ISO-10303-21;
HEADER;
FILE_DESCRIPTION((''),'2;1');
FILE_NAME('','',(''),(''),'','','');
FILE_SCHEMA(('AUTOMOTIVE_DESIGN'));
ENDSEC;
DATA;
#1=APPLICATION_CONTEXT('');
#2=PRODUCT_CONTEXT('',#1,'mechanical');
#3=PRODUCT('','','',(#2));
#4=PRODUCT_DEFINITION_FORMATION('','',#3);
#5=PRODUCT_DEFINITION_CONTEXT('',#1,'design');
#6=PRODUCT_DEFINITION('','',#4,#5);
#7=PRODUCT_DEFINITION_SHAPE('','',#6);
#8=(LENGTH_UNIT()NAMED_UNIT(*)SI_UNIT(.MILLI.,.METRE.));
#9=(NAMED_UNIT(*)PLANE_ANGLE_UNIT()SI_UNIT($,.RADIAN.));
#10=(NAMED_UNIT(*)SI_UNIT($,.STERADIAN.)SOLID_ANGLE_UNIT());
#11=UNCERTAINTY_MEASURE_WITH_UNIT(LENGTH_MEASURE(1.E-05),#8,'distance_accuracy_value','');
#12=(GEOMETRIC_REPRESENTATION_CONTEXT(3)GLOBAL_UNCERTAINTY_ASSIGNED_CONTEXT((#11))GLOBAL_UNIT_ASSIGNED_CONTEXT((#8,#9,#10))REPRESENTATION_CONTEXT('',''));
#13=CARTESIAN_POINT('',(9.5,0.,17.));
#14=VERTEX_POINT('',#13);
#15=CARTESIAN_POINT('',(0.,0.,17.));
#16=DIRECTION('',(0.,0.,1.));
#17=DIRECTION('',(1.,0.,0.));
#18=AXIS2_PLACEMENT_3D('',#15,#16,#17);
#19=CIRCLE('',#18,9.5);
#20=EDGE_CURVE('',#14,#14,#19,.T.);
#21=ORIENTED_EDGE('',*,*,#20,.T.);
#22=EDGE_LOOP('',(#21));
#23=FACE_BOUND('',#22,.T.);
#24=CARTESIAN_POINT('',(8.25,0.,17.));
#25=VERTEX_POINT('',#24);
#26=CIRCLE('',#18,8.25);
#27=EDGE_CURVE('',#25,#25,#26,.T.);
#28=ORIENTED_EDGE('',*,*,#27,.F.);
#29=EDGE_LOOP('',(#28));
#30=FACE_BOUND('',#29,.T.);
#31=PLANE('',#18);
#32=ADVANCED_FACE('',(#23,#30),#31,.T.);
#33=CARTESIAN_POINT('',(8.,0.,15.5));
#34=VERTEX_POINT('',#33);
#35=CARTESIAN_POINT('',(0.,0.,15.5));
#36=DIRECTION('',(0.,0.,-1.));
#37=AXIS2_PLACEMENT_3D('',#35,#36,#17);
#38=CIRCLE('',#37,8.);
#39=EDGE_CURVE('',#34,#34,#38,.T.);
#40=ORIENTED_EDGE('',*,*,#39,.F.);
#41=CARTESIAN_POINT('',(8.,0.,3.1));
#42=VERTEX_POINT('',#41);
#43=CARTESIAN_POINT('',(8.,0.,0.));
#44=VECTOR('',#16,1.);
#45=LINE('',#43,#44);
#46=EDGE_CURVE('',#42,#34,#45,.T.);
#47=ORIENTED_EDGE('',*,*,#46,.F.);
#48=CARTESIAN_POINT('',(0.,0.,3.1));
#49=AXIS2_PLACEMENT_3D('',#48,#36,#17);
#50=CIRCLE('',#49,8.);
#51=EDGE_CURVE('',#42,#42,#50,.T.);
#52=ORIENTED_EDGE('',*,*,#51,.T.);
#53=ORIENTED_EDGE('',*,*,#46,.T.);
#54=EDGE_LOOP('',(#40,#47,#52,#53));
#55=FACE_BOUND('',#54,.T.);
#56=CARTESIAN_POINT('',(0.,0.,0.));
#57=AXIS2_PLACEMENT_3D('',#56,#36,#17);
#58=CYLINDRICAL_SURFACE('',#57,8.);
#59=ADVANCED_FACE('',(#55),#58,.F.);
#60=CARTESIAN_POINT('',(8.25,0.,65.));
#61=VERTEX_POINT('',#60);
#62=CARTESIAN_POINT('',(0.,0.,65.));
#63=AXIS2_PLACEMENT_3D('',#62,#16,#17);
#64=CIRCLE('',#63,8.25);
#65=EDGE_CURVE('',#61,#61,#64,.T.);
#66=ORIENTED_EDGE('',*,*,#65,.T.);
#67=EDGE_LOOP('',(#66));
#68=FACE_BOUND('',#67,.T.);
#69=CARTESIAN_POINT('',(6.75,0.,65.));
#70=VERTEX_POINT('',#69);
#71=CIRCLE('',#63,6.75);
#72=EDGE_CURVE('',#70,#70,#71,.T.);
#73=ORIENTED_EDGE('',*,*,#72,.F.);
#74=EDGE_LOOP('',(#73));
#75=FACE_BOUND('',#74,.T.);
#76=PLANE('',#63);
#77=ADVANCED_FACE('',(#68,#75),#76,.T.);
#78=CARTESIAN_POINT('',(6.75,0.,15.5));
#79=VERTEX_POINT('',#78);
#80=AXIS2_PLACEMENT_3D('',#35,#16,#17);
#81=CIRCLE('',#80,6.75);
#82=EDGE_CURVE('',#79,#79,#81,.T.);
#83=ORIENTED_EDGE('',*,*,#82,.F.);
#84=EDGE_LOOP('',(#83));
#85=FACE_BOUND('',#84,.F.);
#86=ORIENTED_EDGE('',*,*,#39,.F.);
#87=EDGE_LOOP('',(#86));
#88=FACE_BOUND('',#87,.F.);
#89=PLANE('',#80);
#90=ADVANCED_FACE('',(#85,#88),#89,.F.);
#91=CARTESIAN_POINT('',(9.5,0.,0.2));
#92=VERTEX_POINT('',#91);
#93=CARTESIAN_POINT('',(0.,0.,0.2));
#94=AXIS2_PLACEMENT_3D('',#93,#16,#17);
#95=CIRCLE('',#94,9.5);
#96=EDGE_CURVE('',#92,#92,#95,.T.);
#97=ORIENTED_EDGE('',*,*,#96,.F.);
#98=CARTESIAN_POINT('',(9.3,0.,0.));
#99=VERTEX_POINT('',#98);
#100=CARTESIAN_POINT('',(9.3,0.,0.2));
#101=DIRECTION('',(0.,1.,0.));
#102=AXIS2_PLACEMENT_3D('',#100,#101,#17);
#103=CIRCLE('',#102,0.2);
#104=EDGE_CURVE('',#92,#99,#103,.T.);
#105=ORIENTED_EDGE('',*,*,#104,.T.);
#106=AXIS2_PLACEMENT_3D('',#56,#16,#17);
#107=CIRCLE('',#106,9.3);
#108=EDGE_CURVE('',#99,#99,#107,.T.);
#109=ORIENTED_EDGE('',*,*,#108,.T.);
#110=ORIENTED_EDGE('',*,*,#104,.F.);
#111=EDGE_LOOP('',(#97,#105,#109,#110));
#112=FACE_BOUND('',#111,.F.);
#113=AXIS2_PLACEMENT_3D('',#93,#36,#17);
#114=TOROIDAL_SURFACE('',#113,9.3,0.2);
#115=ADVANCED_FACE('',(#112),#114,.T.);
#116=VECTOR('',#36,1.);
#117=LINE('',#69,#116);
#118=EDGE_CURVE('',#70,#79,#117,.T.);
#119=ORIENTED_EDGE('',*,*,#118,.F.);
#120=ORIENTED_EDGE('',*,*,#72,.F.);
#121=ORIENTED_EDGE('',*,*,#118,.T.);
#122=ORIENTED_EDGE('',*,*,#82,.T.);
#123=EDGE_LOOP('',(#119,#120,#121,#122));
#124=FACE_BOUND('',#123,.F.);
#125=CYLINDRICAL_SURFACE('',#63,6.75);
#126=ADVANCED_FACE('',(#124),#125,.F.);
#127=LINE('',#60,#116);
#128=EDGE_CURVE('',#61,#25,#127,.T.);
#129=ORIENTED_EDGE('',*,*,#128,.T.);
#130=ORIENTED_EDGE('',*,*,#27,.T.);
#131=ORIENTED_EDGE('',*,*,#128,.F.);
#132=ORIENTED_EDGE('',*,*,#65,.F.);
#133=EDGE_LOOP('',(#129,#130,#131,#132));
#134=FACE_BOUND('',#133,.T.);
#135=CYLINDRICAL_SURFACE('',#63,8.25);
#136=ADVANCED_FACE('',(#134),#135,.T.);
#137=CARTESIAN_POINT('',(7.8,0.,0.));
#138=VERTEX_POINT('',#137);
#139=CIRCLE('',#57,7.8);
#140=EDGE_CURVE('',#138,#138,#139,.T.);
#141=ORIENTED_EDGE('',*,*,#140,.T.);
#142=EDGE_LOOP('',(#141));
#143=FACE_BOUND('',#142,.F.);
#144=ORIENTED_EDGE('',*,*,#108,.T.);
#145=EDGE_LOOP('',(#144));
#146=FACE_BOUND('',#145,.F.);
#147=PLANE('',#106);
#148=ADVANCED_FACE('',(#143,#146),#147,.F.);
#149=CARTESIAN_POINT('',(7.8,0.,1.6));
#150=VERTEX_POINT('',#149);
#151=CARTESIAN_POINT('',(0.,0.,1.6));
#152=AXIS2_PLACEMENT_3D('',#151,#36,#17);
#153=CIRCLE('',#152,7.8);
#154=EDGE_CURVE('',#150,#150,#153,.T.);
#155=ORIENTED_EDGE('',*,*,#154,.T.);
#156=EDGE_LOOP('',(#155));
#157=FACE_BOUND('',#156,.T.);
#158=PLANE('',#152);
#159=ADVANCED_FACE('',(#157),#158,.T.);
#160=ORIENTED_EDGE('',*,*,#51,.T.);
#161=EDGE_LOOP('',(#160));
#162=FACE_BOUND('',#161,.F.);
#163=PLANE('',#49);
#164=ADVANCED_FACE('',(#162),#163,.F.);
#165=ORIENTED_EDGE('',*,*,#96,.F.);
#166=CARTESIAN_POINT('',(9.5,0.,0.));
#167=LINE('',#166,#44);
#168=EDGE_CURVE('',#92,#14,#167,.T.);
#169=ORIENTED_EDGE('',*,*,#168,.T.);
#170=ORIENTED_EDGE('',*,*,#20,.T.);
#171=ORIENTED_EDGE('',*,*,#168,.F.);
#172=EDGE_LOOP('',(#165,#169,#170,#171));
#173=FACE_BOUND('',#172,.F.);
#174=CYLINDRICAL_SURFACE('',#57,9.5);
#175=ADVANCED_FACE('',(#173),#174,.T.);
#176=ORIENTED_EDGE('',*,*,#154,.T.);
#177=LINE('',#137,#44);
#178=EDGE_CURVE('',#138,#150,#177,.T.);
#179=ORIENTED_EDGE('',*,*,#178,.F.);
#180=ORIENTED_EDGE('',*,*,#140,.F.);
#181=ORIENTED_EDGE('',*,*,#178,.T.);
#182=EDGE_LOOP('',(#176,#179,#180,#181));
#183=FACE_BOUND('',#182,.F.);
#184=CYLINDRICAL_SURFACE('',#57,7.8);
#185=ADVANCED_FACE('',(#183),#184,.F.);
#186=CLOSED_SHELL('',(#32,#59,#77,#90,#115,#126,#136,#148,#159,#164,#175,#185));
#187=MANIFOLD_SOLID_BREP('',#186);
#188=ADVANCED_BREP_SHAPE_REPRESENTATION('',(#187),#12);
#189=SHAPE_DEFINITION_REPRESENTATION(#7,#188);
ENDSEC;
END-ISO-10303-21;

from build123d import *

# Parameters (mm, degrees)
F0_R     = 9.5
F1_DEPTH = 65
F2_R     = 0.2
F3_R     = 9.5
F3_R_2   = 8.25
F4_DEPTH = 48
F5_R     = 7.8
F6_DEPTH = 1.6
F7_T     = -1.5


with BuildPart() as f1:
    # F0 (on Top) → F1 (new body)
    with BuildSketch(Plane.XY):
        Circle(F0_R)
    extrude(amount=F1_DEPTH)

    # F2
    f2_edges = [f1.edges().sort_by_distance(p)[0] for p in [
        (-9.5, 0, 0),
    ]]
    fillet(f2_edges, radius=F2_R)

    # F3 (on face) → F4 (cut)
    with BuildSketch(Plane.XY.offset(65)):
        Circle(F3_R)
        Circle(F3_R_2, mode=Mode.SUBTRACT)
    extrude(amount=-F4_DEPTH, mode=Mode.SUBTRACT)

    # F5 (on face) → F6 (cut)
    with BuildSketch(Plane(origin=(0, 0, 0), x_dir=(1, 0, 0), z_dir=(0, 0, -1))):
        Circle(F5_R)
    extrude(amount=-F6_DEPTH, mode=Mode.SUBTRACT)

    # F7
    f7_openings = [f1.faces().sort_by_distance(p)[0] for p in [
        (0, 0, 65),
    ]]
    offset(amount=F7_T, openings=f7_openings, kind=Kind.INTERSECTION)


solid = f1.part
